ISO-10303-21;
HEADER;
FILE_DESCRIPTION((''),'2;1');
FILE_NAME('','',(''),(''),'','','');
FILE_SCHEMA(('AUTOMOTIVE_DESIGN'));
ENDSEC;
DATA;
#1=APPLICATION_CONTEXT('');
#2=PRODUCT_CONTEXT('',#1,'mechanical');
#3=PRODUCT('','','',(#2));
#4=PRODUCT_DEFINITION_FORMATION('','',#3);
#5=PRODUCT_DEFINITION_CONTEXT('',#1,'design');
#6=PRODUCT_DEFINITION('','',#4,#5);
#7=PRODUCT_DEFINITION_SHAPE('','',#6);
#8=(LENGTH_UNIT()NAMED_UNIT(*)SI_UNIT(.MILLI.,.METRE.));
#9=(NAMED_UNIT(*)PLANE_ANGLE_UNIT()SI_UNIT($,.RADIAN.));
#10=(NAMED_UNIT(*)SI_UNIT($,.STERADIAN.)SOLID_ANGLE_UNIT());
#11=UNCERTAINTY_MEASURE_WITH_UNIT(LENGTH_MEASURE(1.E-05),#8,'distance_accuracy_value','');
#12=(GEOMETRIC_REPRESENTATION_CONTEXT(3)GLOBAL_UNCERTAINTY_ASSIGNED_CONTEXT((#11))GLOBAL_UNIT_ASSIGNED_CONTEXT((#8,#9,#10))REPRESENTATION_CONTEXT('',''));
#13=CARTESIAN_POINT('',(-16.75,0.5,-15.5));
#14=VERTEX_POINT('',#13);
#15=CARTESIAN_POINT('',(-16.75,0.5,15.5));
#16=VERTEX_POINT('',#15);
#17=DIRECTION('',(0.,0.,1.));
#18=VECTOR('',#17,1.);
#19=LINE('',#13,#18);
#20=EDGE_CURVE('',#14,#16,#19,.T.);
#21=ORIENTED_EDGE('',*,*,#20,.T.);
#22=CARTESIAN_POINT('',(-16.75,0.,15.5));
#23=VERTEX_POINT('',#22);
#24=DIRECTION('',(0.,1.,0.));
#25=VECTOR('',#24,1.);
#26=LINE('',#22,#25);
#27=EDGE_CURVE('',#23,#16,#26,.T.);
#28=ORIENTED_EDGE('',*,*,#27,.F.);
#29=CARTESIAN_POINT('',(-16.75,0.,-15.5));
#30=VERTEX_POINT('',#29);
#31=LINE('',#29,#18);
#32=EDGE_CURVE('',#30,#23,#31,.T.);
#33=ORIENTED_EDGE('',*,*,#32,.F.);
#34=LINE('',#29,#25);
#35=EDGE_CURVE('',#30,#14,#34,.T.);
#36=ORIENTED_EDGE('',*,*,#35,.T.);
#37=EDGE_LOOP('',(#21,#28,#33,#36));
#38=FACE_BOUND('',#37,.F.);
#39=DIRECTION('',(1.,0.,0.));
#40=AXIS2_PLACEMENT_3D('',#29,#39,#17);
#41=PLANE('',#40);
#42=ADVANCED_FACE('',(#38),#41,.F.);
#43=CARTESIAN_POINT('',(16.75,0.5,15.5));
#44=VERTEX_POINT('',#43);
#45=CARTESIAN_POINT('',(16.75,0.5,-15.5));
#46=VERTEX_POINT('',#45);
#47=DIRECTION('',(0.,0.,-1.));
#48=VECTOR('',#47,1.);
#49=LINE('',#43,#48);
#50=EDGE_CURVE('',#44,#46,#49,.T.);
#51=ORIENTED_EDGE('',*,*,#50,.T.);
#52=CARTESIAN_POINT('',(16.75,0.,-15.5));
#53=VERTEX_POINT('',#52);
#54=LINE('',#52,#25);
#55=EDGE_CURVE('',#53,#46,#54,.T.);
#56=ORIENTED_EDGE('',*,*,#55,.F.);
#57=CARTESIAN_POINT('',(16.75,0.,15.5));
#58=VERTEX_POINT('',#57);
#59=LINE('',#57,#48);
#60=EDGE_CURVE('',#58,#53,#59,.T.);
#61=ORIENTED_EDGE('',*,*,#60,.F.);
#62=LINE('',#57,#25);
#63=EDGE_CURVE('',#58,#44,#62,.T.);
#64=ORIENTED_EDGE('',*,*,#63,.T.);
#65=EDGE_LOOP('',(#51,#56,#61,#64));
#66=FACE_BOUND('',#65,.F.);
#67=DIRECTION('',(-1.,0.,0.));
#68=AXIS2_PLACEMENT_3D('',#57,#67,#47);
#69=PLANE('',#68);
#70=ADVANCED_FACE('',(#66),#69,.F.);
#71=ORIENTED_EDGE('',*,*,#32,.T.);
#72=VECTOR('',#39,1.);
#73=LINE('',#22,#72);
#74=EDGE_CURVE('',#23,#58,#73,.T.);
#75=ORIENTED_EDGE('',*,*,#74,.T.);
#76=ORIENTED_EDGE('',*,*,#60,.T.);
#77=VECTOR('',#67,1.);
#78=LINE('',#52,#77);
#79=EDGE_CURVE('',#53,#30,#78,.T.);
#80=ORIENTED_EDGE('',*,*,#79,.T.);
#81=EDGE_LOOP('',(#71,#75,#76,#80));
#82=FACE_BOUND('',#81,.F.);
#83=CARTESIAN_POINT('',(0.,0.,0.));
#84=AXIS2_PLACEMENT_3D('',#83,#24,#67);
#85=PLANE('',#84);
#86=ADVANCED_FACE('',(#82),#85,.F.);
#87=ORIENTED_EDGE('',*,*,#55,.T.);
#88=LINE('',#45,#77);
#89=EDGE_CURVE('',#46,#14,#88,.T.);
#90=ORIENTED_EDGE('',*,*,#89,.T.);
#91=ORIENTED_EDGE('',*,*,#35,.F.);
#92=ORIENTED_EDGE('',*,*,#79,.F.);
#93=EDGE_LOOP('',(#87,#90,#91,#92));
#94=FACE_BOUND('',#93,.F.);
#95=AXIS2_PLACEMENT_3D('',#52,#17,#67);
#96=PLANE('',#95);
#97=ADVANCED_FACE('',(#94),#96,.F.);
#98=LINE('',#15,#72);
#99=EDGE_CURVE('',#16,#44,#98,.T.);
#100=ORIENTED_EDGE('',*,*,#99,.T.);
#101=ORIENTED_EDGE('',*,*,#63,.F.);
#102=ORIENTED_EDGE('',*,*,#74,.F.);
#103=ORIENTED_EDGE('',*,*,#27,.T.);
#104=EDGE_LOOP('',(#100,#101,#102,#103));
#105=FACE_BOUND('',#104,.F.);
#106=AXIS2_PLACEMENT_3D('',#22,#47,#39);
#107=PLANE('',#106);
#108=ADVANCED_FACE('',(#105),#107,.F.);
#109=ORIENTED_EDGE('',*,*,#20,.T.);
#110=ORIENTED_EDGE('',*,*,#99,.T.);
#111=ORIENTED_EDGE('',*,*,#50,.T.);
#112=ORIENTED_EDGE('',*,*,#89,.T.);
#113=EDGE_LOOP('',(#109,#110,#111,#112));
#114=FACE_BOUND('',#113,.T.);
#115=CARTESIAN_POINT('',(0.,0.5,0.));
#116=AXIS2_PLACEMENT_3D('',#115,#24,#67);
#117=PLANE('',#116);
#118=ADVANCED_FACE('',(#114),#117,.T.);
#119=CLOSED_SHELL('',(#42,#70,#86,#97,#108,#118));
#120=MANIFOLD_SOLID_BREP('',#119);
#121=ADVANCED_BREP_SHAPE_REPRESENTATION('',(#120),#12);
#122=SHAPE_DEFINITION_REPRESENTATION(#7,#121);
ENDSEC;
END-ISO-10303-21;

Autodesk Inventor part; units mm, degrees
ref_plane "YZ Plane" through (0, 0, 0) normal (1, 0, 0) x (0, 1, 0)
ref_plane "XZ Plane" through (0, 0, 0) normal (0, 1, 0) x (-1, 0, 0)
ref_plane "XY Plane" through (0, 0, 0) normal (0, 0, 1) x (1, 0, 0)
sketch "Sketch1" plane through (0, 0, 0) normal (0, 1, 0) x (-1, 0, 0)
  line L0 (16.75, 15.5) -> (-16.75, 15.5)
  line L1 (-16.75, 15.5) -> (-16.75, -15.5)
  line L2 (-16.75, -15.5) -> (16.75, -15.5)
  line L3 (16.75, -15.5) -> (16.75, 15.5)
  line L4 (16.75, 15.5) -> (-16.75, -15.5) construction
  line L5 (-16.75, 15.5) -> (16.75, -15.5) construction
  point P0 (0, 0)
  dimension "d0" = 31
  dimension "d1" = 33.5
extrude "Extrusion1" add sketch "Sketch1" along normal blind 0.5
sketch "Sketch2" plane through (0, 0.5, 0) normal (0, 1, 0) x (1, 0, 0)
  line L0 (-16.75, -15.5) -> (16.75, -15.5) projected
  line L1 (-15.9661, -15.5) -> (-7.7382, -15.5)
  line L2 (-7.7382, -15.5) -> (-7.7382, -17.215)
  line L3 (-7.7382, -17.215) -> (-15.9661, -17.215)
  line L4 (-15.9661, -17.215) -> (-15.9661, -15.5)
  line L5 (-14.203, -17.215) -> (-9.5503, -17.215)
  line L6 (-9.5503, -17.215) -> (-9.5503, -18.8312)
  line L7 (-9.5503, -18.8312) -> (-14.203, -18.8312)
  line L8 (-14.203, -18.8312) -> (-14.203, -17.215)
  point P0 (0, 0)
properties part number "touch_panel" material "Glass"
